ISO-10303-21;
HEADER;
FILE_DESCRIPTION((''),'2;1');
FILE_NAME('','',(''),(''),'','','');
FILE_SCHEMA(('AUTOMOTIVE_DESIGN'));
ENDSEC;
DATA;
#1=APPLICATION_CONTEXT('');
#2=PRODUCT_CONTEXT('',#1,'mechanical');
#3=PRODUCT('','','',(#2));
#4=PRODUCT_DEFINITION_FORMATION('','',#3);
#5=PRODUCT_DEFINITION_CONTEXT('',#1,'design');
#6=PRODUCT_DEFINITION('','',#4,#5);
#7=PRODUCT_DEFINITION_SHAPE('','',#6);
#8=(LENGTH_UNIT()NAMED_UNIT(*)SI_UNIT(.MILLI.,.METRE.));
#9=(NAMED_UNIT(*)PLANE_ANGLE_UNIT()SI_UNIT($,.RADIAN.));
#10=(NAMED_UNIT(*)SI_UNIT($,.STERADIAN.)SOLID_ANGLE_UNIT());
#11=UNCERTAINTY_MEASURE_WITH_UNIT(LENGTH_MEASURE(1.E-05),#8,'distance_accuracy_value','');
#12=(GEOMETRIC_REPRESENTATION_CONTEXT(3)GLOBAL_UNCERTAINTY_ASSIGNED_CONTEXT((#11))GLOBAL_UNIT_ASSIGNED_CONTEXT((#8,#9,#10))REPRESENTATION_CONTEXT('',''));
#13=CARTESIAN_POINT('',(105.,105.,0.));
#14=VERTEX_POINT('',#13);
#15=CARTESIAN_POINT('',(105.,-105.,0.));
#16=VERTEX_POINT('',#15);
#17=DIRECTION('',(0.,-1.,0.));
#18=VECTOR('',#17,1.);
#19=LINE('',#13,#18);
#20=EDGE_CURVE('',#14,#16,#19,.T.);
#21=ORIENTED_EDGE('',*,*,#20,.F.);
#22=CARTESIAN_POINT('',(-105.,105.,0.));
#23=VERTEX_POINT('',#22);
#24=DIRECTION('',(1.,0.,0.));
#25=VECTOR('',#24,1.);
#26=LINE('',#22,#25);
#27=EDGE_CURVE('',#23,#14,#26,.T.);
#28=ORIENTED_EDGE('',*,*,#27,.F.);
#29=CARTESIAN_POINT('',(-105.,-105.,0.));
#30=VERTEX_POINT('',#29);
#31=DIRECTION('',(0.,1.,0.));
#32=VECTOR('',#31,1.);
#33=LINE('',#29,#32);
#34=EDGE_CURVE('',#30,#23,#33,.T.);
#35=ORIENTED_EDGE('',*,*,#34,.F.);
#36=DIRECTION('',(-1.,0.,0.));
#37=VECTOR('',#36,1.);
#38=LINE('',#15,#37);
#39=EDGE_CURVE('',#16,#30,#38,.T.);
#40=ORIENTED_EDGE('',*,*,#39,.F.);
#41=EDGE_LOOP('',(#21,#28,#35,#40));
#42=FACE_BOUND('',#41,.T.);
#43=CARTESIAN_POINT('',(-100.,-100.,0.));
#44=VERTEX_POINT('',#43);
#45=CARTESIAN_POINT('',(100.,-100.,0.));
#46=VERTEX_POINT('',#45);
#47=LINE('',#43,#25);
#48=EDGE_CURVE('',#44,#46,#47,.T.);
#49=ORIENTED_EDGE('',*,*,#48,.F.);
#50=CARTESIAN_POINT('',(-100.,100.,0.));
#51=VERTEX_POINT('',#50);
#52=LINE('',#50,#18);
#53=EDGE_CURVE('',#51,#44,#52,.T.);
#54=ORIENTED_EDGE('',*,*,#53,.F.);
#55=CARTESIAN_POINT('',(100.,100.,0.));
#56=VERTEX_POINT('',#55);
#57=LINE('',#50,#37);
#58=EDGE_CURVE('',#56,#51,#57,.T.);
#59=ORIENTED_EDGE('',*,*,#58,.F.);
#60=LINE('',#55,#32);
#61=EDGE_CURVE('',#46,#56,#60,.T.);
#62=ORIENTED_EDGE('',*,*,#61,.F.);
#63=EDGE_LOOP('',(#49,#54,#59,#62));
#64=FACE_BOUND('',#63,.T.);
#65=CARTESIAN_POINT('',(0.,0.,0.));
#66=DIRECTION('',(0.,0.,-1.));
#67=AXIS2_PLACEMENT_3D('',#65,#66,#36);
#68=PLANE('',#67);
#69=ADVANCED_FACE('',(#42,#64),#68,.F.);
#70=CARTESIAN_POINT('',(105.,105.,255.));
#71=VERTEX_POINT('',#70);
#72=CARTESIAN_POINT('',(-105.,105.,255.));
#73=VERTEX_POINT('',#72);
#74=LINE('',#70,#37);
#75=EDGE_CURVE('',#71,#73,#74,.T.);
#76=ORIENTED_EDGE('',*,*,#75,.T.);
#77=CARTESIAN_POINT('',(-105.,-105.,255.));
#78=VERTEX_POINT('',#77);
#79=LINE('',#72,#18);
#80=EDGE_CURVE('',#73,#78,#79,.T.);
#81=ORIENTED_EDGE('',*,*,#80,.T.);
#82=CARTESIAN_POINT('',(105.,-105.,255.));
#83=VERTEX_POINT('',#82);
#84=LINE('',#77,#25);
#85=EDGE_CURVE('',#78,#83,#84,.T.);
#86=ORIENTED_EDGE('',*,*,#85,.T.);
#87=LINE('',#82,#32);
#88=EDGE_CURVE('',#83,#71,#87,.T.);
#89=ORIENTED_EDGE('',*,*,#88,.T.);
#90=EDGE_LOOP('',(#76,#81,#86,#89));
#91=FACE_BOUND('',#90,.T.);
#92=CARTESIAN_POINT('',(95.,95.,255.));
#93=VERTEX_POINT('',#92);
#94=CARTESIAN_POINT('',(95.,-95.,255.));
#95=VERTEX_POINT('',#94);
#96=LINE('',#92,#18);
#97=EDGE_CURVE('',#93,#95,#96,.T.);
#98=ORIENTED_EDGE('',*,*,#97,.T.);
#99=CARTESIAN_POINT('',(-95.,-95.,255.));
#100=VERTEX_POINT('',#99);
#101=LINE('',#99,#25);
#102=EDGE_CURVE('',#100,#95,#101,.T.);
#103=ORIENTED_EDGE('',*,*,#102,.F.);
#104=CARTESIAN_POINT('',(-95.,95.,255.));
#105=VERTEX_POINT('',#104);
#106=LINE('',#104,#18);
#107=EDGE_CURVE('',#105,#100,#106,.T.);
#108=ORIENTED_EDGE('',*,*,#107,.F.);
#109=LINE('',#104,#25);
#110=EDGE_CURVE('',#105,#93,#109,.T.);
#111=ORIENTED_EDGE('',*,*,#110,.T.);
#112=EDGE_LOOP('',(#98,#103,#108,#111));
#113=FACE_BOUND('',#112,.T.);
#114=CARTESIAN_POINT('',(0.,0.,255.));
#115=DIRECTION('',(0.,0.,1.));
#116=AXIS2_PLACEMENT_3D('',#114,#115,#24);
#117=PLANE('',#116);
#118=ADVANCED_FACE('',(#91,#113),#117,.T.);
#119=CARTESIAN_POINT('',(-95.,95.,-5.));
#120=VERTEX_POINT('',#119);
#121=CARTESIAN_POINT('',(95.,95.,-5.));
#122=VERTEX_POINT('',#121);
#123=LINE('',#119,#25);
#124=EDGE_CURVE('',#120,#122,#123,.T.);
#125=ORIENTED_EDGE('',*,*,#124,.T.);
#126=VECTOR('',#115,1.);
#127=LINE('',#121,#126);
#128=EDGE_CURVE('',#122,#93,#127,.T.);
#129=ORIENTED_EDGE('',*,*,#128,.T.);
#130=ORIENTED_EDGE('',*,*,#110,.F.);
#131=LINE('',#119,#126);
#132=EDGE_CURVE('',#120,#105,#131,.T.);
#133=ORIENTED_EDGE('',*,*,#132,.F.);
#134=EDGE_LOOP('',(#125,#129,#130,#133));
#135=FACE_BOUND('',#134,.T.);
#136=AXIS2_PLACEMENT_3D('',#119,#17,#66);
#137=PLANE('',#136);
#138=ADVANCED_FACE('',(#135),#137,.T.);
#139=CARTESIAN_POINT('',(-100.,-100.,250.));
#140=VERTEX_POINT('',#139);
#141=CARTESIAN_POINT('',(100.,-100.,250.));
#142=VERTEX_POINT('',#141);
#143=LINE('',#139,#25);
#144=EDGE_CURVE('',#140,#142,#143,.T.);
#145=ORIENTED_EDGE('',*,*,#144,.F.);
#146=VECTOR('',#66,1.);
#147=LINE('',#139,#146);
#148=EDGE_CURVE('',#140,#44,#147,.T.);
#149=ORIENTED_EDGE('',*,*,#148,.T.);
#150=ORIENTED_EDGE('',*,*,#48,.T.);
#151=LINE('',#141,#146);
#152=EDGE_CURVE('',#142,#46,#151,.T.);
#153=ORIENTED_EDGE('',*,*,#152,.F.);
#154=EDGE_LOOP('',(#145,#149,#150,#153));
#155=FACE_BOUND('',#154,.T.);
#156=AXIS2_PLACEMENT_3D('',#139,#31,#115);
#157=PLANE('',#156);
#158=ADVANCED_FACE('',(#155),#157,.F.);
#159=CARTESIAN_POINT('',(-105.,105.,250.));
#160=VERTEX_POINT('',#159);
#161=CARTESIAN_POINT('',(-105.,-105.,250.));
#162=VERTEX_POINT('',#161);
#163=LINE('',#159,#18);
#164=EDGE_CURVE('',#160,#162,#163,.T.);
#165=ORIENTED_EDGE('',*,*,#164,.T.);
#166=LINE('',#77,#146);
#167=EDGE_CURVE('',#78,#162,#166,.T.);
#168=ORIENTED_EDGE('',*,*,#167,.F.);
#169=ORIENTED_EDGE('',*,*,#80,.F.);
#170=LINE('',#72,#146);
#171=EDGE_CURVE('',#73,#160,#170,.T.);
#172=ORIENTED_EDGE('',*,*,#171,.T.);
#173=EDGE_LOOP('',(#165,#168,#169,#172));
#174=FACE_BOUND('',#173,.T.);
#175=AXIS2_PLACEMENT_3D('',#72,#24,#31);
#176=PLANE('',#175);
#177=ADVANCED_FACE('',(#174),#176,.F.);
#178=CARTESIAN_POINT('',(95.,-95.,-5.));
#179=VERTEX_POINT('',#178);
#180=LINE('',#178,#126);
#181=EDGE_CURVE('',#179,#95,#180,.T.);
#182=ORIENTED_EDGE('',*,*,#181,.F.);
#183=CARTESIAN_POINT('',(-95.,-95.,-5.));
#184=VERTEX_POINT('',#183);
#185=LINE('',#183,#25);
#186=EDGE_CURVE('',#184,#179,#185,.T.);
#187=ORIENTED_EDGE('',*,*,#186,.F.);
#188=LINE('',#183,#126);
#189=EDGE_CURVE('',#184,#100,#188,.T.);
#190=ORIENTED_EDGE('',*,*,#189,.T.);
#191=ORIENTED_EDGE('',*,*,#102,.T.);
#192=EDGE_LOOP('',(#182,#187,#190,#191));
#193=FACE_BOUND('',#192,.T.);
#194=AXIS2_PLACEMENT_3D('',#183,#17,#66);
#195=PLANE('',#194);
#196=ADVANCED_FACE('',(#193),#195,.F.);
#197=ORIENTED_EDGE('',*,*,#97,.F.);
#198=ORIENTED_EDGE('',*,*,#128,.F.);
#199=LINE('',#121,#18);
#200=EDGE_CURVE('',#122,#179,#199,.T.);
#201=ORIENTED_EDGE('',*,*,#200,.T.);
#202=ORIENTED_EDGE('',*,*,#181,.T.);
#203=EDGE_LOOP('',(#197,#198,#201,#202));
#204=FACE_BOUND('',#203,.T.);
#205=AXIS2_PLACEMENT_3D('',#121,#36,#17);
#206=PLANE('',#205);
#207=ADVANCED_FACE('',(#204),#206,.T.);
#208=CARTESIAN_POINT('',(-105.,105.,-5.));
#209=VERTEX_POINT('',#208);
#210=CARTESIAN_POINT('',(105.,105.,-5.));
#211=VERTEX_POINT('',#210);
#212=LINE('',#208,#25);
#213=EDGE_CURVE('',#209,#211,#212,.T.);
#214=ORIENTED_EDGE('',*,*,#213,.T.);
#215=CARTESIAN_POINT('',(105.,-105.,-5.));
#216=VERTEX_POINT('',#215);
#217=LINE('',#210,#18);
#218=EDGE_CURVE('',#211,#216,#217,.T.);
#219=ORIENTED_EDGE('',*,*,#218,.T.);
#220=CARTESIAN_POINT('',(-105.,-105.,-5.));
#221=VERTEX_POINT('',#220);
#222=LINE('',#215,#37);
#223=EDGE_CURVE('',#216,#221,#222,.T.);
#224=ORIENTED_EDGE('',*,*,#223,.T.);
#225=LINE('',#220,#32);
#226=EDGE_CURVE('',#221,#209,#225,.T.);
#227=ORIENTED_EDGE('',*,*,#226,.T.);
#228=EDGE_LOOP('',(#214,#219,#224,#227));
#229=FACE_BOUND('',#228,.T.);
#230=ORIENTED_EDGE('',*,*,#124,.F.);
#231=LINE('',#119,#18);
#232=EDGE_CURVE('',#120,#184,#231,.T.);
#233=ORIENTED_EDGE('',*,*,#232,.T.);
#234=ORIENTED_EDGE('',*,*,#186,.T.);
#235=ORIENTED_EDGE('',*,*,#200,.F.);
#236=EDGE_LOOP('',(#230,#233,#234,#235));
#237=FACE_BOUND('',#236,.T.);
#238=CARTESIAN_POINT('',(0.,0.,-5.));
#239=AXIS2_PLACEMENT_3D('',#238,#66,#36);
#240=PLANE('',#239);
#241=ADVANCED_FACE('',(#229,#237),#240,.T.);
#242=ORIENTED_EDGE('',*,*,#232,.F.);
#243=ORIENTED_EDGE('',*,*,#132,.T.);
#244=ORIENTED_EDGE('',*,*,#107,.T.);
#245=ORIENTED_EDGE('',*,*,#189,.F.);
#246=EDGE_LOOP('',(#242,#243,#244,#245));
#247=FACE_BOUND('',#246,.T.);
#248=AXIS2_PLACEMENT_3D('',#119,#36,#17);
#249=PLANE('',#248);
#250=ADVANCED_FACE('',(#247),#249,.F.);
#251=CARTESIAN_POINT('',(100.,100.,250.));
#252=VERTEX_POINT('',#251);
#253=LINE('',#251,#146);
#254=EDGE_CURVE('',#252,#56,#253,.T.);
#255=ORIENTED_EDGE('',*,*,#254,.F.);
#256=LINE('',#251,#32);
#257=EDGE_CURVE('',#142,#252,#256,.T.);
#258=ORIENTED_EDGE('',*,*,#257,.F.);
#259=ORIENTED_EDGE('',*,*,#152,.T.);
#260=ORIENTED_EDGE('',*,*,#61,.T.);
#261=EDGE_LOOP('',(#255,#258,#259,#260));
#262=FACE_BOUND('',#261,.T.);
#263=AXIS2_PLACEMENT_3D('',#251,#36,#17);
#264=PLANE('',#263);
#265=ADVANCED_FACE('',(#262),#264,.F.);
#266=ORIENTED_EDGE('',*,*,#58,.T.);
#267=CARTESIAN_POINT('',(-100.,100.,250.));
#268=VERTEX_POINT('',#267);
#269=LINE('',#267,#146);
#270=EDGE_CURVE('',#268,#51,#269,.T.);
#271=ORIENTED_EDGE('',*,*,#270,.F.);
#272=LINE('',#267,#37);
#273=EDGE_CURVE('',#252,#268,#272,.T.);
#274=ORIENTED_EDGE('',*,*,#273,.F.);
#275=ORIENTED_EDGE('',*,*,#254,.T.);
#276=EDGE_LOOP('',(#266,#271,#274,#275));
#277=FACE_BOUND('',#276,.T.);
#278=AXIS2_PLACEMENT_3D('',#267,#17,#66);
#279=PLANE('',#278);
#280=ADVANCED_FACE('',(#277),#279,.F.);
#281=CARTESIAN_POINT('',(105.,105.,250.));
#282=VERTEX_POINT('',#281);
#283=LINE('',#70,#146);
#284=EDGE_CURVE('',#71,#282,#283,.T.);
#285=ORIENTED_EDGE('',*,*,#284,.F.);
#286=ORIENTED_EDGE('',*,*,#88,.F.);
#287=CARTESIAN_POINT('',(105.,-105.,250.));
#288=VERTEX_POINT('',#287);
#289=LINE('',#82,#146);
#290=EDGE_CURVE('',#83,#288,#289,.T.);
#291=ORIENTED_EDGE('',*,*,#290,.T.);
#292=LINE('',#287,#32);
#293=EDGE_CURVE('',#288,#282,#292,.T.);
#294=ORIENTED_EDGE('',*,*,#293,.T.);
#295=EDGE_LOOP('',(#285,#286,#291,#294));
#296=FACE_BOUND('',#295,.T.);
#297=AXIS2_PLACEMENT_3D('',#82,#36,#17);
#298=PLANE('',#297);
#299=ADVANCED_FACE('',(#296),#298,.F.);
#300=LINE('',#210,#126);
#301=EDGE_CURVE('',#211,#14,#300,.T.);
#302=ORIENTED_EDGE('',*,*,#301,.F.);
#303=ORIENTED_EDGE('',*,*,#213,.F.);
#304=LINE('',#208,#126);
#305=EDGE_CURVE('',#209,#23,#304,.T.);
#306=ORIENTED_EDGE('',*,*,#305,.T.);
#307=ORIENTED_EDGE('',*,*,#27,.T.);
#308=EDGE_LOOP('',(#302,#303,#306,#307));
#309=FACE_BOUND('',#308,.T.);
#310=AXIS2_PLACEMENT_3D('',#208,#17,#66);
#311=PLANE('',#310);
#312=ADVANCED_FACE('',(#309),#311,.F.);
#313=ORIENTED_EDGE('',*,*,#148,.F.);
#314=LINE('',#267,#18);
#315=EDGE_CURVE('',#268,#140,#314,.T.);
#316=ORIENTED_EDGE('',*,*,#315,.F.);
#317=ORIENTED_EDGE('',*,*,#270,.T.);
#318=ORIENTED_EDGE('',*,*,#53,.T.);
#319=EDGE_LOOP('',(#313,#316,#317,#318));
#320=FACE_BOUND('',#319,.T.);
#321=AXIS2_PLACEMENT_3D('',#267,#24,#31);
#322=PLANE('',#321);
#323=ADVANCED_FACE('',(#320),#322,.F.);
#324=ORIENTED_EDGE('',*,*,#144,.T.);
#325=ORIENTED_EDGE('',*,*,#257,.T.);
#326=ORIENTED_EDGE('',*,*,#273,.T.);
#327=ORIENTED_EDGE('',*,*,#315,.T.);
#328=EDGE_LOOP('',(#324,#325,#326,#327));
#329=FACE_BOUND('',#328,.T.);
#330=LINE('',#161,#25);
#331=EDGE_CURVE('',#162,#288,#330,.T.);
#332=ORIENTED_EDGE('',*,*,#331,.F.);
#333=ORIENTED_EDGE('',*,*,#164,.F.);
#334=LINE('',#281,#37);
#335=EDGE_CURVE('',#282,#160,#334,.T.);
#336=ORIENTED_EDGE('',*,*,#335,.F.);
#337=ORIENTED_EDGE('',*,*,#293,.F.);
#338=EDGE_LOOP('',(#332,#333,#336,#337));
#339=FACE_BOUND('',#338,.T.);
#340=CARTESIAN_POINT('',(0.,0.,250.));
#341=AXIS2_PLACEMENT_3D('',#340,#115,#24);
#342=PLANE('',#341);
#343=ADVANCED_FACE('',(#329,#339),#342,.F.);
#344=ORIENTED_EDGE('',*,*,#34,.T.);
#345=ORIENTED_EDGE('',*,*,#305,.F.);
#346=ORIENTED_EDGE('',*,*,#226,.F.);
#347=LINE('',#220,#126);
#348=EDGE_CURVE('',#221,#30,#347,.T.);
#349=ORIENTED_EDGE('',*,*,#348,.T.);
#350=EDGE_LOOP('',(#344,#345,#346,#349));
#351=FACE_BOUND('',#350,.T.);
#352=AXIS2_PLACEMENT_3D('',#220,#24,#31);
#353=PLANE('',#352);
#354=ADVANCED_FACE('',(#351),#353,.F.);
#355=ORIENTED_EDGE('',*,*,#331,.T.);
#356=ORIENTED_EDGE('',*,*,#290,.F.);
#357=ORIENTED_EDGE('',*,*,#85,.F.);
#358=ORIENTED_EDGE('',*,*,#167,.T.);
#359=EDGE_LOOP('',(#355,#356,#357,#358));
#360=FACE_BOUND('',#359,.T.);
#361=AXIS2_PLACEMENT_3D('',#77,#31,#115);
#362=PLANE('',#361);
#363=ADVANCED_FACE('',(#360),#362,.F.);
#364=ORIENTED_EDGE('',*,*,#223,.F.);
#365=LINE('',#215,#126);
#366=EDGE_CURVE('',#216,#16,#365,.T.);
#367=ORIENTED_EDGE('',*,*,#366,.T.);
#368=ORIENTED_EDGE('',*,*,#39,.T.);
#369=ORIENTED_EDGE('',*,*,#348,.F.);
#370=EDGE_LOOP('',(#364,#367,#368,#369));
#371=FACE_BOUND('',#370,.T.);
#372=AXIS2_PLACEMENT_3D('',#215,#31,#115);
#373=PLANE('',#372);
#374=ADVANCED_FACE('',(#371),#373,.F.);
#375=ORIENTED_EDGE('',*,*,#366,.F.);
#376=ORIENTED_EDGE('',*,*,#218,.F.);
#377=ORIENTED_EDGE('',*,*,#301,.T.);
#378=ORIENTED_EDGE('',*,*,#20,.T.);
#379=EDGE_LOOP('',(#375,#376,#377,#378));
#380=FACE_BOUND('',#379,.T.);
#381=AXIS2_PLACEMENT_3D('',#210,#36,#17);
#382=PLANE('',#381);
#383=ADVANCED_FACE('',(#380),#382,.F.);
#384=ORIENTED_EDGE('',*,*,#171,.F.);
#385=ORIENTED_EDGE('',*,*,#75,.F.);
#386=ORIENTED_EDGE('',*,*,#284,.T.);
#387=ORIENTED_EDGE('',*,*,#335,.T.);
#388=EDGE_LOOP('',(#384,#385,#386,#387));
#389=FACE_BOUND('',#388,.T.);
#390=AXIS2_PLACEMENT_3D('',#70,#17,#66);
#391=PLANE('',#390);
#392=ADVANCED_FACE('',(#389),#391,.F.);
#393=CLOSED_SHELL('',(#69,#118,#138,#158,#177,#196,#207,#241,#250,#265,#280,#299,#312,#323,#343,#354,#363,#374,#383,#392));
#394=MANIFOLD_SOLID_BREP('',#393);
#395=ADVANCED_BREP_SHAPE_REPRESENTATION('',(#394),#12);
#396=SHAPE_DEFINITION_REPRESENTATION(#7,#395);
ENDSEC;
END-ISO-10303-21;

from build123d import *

# Parameters (mm, degrees)
SKETCH1_W           = 200
SKETCH1_H           = 200
BOSS_EXTRUDE1_DEPTH = 250
SKETCH2_W           = 210
SKETCH2_H           = 210
BOSS_EXTRUDE2_DEPTH = 5
SKETCH3_W           = 210
SKETCH3_H           = 210
BOSS_EXTRUDE3_DEPTH = 5
SKETCH4_W           = 190
SKETCH4_H           = 190
CUT_EXTRUDE1_DEPTH  = 300.416098432


with BuildPart() as part:
    # Sketch1 → Boss-Extrude1 (new body)
    with BuildSketch(Plane.XY):
        Rectangle(SKETCH1_W, SKETCH1_H)
    extrude(amount=BOSS_EXTRUDE1_DEPTH)

    # Sketch2 → Boss-Extrude2 (add)
    with BuildSketch(Plane.XY.offset(250)):
        Rectangle(SKETCH2_W, SKETCH2_H)
    extrude(amount=BOSS_EXTRUDE2_DEPTH)

    # Sketch3 → Boss-Extrude3 (add)
    with BuildSketch(Plane(origin=(0, 0, 0), x_dir=(-1, 0, 0), z_dir=(0, 0, -1))):
        Rectangle(SKETCH3_W, SKETCH3_H)
    extrude(amount=BOSS_EXTRUDE3_DEPTH)

    # Sketch4 → Cut-Extrude1 (cut, through all)
    with BuildSketch(Plane.XY.offset(255)):
        Rectangle(SKETCH4_W, SKETCH4_H)
    extrude(amount=-CUT_EXTRUDE1_DEPTH, mode=Mode.SUBTRACT)


solid = part.part
